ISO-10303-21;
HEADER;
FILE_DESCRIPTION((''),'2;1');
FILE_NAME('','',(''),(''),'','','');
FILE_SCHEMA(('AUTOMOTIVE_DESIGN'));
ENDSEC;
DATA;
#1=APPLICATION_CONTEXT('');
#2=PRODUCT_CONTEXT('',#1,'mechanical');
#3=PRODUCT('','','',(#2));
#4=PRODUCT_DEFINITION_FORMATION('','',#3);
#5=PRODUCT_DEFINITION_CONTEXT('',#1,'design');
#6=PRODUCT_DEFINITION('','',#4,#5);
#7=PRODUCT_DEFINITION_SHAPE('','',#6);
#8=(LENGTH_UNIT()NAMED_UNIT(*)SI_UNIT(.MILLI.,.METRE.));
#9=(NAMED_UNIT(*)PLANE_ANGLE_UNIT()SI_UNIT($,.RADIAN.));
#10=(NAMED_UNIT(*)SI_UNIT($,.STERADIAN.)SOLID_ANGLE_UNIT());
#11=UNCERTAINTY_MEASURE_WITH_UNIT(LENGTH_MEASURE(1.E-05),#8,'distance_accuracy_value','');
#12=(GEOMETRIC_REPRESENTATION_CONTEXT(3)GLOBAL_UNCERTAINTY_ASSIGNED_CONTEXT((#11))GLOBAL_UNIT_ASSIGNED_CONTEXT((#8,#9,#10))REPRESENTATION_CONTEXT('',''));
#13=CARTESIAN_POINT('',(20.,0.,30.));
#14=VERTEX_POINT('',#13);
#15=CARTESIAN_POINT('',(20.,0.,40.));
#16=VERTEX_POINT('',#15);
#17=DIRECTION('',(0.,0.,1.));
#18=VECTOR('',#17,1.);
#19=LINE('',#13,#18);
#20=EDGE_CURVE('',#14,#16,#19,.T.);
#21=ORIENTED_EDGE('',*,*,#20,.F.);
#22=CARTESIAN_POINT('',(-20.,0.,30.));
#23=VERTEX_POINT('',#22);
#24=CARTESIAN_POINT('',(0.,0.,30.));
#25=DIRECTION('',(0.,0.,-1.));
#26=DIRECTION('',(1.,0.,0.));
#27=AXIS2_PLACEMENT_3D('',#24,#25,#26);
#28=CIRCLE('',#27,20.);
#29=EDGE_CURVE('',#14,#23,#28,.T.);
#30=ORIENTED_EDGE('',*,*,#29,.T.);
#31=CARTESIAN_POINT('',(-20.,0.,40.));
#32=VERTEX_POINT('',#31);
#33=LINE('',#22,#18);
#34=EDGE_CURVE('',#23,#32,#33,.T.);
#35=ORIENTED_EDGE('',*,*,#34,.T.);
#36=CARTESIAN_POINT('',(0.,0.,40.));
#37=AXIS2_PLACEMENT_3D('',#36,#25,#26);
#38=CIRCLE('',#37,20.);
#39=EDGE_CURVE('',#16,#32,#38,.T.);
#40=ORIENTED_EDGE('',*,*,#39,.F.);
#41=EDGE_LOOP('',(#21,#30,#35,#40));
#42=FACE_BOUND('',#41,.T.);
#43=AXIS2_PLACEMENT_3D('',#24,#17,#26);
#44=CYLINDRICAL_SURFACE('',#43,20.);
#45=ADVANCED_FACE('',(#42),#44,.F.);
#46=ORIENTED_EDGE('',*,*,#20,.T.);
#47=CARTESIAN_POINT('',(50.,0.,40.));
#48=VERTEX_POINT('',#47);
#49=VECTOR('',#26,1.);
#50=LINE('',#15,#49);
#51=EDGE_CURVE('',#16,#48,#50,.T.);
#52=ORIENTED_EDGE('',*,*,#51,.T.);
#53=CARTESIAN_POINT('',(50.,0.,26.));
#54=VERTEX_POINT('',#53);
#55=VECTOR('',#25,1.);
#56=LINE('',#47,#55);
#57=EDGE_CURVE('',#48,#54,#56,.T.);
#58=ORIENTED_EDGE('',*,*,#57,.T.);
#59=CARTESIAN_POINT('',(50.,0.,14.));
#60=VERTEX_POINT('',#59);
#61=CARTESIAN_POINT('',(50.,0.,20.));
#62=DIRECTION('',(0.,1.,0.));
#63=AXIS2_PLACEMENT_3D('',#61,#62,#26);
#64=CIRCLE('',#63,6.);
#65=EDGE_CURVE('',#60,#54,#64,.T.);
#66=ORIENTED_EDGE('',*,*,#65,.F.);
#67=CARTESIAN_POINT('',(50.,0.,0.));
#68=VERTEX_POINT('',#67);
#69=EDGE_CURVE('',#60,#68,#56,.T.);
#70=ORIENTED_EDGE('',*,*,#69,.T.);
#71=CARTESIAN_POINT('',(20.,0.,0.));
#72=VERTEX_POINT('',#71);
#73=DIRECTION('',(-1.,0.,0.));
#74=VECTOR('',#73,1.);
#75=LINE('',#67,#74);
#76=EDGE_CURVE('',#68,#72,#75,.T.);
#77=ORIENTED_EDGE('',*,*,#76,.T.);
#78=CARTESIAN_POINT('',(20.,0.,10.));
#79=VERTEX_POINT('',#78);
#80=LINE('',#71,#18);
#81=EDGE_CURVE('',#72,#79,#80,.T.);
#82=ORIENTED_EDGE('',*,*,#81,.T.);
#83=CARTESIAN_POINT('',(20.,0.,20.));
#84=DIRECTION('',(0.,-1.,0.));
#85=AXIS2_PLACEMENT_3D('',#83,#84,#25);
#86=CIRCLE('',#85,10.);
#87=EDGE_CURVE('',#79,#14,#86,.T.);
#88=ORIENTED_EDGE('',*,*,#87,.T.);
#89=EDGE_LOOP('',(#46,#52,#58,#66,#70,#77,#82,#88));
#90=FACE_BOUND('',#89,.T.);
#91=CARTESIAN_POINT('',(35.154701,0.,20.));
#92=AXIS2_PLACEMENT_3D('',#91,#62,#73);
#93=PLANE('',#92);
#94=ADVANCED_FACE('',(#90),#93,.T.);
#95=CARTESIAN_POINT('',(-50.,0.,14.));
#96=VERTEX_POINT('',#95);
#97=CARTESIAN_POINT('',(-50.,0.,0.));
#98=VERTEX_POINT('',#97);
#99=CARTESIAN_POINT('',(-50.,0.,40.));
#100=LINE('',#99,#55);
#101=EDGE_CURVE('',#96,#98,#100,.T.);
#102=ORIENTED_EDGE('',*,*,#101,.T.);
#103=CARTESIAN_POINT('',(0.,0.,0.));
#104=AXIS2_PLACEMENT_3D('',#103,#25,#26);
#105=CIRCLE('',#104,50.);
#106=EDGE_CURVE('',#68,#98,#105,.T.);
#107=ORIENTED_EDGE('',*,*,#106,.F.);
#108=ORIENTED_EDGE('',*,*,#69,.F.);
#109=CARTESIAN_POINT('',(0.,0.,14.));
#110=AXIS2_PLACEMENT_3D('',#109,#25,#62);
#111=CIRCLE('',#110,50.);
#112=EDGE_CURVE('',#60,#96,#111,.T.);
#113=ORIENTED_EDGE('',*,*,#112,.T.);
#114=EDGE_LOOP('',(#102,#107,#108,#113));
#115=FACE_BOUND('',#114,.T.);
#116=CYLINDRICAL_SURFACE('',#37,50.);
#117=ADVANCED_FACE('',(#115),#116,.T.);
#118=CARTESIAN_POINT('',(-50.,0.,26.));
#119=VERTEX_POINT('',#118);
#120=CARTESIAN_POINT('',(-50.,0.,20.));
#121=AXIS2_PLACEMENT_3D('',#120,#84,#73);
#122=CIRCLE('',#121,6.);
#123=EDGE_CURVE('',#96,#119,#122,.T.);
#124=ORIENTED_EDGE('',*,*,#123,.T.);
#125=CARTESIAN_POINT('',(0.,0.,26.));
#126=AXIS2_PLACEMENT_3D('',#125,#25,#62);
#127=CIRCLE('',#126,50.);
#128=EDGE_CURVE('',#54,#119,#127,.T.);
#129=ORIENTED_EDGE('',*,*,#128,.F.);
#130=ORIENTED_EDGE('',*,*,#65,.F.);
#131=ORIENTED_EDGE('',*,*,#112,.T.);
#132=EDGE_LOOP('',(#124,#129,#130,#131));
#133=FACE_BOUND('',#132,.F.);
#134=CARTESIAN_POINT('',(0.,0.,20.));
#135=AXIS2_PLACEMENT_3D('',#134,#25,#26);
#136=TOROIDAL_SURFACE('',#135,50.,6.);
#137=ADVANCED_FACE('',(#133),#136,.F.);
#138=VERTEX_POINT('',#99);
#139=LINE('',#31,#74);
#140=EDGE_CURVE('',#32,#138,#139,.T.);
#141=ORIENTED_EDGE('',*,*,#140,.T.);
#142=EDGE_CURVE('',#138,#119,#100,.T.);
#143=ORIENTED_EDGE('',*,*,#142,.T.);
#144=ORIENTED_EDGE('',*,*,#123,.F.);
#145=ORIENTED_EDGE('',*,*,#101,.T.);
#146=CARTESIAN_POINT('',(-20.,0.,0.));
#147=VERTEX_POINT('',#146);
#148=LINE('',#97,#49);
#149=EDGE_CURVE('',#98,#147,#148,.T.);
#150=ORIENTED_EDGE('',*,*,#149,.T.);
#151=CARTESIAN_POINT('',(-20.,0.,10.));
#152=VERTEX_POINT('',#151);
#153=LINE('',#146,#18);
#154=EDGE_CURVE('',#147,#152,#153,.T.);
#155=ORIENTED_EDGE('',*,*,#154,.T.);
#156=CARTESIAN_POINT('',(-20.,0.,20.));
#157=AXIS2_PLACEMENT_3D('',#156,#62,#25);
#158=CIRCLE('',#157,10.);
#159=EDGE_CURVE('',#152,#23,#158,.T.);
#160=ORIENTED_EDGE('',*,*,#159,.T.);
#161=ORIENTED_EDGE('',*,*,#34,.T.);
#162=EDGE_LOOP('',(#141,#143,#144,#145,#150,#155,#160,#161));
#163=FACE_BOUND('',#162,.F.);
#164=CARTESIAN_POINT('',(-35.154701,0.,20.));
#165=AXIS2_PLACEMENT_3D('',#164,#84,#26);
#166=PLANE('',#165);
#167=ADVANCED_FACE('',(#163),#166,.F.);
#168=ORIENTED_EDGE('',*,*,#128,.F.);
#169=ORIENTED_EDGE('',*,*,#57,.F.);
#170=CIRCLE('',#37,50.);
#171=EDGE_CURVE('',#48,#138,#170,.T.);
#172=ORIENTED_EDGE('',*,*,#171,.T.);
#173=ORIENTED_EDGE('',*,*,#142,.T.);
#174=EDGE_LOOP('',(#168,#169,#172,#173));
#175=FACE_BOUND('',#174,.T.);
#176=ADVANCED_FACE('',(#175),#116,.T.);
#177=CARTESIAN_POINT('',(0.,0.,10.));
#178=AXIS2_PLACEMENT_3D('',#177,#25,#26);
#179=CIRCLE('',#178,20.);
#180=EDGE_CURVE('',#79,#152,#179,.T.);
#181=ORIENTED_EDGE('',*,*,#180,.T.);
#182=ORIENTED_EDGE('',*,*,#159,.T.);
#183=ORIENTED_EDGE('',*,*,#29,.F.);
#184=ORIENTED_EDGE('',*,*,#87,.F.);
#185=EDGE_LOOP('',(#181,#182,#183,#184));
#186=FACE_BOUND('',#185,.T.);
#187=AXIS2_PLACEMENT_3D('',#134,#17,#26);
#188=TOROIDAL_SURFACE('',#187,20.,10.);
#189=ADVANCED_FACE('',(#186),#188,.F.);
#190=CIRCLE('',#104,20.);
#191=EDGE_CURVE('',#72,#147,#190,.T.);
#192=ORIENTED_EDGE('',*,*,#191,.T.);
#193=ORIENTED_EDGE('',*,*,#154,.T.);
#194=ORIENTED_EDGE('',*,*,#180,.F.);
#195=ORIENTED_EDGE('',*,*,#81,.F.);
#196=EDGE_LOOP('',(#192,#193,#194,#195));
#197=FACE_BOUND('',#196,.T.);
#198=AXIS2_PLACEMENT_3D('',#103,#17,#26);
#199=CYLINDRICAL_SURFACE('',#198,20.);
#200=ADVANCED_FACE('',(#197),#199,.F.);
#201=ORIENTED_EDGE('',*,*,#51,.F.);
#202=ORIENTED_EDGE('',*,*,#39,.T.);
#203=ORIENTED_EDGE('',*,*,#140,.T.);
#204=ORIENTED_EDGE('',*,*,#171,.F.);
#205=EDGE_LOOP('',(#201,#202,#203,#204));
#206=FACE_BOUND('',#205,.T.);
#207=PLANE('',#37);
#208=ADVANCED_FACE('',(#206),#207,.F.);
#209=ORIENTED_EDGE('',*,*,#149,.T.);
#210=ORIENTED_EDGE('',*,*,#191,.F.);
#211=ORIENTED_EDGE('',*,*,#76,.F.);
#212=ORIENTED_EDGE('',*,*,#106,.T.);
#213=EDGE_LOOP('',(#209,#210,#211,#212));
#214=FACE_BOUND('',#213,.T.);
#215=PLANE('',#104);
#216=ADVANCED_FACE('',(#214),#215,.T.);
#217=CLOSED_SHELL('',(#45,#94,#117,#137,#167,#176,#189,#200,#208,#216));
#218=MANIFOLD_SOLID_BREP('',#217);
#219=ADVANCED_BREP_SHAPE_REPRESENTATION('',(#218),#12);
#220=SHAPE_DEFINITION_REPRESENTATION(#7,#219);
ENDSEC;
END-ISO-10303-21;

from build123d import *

# Parameters (mm, degrees)
REVOLUTION_ANGLE = -180
SKETCH001_R      = 6
GROOVE_ANGLE     = 180


with BuildPart() as part:
    # Sketch → Revolution (revolve)
    with BuildSketch(Plane.XZ):
        with BuildLine():
            Line((20, 40), (50, 40))
            Line((50, 40), (50, 0))
            Line((50, 0), (20, 0))
            Line((20, 0), (20, 10))
            ThreePointArc((20, 10), (30, 20), (20, 30))
            Line((20, 30), (20, 40))
        make_face()
    revolve(axis=Axis((0, 0, 0), (0, 0, 1)), revolution_arc=REVOLUTION_ANGLE)

    # Sketch001 (on Face8 of Revolution) → Groove (revolve, cut)
    with BuildSketch(Plane(origin=(0, 0, 0), x_dir=(1, 0, 0), z_dir=(0, 1, 0))):
        with Locations((50, -20)):
            Circle(SKETCH001_R)
    revolve(axis=Axis((0, 0, 0), (0, 0, -1)), revolution_arc=GROOVE_ANGLE, mode=Mode.SUBTRACT)


solid = part.part
